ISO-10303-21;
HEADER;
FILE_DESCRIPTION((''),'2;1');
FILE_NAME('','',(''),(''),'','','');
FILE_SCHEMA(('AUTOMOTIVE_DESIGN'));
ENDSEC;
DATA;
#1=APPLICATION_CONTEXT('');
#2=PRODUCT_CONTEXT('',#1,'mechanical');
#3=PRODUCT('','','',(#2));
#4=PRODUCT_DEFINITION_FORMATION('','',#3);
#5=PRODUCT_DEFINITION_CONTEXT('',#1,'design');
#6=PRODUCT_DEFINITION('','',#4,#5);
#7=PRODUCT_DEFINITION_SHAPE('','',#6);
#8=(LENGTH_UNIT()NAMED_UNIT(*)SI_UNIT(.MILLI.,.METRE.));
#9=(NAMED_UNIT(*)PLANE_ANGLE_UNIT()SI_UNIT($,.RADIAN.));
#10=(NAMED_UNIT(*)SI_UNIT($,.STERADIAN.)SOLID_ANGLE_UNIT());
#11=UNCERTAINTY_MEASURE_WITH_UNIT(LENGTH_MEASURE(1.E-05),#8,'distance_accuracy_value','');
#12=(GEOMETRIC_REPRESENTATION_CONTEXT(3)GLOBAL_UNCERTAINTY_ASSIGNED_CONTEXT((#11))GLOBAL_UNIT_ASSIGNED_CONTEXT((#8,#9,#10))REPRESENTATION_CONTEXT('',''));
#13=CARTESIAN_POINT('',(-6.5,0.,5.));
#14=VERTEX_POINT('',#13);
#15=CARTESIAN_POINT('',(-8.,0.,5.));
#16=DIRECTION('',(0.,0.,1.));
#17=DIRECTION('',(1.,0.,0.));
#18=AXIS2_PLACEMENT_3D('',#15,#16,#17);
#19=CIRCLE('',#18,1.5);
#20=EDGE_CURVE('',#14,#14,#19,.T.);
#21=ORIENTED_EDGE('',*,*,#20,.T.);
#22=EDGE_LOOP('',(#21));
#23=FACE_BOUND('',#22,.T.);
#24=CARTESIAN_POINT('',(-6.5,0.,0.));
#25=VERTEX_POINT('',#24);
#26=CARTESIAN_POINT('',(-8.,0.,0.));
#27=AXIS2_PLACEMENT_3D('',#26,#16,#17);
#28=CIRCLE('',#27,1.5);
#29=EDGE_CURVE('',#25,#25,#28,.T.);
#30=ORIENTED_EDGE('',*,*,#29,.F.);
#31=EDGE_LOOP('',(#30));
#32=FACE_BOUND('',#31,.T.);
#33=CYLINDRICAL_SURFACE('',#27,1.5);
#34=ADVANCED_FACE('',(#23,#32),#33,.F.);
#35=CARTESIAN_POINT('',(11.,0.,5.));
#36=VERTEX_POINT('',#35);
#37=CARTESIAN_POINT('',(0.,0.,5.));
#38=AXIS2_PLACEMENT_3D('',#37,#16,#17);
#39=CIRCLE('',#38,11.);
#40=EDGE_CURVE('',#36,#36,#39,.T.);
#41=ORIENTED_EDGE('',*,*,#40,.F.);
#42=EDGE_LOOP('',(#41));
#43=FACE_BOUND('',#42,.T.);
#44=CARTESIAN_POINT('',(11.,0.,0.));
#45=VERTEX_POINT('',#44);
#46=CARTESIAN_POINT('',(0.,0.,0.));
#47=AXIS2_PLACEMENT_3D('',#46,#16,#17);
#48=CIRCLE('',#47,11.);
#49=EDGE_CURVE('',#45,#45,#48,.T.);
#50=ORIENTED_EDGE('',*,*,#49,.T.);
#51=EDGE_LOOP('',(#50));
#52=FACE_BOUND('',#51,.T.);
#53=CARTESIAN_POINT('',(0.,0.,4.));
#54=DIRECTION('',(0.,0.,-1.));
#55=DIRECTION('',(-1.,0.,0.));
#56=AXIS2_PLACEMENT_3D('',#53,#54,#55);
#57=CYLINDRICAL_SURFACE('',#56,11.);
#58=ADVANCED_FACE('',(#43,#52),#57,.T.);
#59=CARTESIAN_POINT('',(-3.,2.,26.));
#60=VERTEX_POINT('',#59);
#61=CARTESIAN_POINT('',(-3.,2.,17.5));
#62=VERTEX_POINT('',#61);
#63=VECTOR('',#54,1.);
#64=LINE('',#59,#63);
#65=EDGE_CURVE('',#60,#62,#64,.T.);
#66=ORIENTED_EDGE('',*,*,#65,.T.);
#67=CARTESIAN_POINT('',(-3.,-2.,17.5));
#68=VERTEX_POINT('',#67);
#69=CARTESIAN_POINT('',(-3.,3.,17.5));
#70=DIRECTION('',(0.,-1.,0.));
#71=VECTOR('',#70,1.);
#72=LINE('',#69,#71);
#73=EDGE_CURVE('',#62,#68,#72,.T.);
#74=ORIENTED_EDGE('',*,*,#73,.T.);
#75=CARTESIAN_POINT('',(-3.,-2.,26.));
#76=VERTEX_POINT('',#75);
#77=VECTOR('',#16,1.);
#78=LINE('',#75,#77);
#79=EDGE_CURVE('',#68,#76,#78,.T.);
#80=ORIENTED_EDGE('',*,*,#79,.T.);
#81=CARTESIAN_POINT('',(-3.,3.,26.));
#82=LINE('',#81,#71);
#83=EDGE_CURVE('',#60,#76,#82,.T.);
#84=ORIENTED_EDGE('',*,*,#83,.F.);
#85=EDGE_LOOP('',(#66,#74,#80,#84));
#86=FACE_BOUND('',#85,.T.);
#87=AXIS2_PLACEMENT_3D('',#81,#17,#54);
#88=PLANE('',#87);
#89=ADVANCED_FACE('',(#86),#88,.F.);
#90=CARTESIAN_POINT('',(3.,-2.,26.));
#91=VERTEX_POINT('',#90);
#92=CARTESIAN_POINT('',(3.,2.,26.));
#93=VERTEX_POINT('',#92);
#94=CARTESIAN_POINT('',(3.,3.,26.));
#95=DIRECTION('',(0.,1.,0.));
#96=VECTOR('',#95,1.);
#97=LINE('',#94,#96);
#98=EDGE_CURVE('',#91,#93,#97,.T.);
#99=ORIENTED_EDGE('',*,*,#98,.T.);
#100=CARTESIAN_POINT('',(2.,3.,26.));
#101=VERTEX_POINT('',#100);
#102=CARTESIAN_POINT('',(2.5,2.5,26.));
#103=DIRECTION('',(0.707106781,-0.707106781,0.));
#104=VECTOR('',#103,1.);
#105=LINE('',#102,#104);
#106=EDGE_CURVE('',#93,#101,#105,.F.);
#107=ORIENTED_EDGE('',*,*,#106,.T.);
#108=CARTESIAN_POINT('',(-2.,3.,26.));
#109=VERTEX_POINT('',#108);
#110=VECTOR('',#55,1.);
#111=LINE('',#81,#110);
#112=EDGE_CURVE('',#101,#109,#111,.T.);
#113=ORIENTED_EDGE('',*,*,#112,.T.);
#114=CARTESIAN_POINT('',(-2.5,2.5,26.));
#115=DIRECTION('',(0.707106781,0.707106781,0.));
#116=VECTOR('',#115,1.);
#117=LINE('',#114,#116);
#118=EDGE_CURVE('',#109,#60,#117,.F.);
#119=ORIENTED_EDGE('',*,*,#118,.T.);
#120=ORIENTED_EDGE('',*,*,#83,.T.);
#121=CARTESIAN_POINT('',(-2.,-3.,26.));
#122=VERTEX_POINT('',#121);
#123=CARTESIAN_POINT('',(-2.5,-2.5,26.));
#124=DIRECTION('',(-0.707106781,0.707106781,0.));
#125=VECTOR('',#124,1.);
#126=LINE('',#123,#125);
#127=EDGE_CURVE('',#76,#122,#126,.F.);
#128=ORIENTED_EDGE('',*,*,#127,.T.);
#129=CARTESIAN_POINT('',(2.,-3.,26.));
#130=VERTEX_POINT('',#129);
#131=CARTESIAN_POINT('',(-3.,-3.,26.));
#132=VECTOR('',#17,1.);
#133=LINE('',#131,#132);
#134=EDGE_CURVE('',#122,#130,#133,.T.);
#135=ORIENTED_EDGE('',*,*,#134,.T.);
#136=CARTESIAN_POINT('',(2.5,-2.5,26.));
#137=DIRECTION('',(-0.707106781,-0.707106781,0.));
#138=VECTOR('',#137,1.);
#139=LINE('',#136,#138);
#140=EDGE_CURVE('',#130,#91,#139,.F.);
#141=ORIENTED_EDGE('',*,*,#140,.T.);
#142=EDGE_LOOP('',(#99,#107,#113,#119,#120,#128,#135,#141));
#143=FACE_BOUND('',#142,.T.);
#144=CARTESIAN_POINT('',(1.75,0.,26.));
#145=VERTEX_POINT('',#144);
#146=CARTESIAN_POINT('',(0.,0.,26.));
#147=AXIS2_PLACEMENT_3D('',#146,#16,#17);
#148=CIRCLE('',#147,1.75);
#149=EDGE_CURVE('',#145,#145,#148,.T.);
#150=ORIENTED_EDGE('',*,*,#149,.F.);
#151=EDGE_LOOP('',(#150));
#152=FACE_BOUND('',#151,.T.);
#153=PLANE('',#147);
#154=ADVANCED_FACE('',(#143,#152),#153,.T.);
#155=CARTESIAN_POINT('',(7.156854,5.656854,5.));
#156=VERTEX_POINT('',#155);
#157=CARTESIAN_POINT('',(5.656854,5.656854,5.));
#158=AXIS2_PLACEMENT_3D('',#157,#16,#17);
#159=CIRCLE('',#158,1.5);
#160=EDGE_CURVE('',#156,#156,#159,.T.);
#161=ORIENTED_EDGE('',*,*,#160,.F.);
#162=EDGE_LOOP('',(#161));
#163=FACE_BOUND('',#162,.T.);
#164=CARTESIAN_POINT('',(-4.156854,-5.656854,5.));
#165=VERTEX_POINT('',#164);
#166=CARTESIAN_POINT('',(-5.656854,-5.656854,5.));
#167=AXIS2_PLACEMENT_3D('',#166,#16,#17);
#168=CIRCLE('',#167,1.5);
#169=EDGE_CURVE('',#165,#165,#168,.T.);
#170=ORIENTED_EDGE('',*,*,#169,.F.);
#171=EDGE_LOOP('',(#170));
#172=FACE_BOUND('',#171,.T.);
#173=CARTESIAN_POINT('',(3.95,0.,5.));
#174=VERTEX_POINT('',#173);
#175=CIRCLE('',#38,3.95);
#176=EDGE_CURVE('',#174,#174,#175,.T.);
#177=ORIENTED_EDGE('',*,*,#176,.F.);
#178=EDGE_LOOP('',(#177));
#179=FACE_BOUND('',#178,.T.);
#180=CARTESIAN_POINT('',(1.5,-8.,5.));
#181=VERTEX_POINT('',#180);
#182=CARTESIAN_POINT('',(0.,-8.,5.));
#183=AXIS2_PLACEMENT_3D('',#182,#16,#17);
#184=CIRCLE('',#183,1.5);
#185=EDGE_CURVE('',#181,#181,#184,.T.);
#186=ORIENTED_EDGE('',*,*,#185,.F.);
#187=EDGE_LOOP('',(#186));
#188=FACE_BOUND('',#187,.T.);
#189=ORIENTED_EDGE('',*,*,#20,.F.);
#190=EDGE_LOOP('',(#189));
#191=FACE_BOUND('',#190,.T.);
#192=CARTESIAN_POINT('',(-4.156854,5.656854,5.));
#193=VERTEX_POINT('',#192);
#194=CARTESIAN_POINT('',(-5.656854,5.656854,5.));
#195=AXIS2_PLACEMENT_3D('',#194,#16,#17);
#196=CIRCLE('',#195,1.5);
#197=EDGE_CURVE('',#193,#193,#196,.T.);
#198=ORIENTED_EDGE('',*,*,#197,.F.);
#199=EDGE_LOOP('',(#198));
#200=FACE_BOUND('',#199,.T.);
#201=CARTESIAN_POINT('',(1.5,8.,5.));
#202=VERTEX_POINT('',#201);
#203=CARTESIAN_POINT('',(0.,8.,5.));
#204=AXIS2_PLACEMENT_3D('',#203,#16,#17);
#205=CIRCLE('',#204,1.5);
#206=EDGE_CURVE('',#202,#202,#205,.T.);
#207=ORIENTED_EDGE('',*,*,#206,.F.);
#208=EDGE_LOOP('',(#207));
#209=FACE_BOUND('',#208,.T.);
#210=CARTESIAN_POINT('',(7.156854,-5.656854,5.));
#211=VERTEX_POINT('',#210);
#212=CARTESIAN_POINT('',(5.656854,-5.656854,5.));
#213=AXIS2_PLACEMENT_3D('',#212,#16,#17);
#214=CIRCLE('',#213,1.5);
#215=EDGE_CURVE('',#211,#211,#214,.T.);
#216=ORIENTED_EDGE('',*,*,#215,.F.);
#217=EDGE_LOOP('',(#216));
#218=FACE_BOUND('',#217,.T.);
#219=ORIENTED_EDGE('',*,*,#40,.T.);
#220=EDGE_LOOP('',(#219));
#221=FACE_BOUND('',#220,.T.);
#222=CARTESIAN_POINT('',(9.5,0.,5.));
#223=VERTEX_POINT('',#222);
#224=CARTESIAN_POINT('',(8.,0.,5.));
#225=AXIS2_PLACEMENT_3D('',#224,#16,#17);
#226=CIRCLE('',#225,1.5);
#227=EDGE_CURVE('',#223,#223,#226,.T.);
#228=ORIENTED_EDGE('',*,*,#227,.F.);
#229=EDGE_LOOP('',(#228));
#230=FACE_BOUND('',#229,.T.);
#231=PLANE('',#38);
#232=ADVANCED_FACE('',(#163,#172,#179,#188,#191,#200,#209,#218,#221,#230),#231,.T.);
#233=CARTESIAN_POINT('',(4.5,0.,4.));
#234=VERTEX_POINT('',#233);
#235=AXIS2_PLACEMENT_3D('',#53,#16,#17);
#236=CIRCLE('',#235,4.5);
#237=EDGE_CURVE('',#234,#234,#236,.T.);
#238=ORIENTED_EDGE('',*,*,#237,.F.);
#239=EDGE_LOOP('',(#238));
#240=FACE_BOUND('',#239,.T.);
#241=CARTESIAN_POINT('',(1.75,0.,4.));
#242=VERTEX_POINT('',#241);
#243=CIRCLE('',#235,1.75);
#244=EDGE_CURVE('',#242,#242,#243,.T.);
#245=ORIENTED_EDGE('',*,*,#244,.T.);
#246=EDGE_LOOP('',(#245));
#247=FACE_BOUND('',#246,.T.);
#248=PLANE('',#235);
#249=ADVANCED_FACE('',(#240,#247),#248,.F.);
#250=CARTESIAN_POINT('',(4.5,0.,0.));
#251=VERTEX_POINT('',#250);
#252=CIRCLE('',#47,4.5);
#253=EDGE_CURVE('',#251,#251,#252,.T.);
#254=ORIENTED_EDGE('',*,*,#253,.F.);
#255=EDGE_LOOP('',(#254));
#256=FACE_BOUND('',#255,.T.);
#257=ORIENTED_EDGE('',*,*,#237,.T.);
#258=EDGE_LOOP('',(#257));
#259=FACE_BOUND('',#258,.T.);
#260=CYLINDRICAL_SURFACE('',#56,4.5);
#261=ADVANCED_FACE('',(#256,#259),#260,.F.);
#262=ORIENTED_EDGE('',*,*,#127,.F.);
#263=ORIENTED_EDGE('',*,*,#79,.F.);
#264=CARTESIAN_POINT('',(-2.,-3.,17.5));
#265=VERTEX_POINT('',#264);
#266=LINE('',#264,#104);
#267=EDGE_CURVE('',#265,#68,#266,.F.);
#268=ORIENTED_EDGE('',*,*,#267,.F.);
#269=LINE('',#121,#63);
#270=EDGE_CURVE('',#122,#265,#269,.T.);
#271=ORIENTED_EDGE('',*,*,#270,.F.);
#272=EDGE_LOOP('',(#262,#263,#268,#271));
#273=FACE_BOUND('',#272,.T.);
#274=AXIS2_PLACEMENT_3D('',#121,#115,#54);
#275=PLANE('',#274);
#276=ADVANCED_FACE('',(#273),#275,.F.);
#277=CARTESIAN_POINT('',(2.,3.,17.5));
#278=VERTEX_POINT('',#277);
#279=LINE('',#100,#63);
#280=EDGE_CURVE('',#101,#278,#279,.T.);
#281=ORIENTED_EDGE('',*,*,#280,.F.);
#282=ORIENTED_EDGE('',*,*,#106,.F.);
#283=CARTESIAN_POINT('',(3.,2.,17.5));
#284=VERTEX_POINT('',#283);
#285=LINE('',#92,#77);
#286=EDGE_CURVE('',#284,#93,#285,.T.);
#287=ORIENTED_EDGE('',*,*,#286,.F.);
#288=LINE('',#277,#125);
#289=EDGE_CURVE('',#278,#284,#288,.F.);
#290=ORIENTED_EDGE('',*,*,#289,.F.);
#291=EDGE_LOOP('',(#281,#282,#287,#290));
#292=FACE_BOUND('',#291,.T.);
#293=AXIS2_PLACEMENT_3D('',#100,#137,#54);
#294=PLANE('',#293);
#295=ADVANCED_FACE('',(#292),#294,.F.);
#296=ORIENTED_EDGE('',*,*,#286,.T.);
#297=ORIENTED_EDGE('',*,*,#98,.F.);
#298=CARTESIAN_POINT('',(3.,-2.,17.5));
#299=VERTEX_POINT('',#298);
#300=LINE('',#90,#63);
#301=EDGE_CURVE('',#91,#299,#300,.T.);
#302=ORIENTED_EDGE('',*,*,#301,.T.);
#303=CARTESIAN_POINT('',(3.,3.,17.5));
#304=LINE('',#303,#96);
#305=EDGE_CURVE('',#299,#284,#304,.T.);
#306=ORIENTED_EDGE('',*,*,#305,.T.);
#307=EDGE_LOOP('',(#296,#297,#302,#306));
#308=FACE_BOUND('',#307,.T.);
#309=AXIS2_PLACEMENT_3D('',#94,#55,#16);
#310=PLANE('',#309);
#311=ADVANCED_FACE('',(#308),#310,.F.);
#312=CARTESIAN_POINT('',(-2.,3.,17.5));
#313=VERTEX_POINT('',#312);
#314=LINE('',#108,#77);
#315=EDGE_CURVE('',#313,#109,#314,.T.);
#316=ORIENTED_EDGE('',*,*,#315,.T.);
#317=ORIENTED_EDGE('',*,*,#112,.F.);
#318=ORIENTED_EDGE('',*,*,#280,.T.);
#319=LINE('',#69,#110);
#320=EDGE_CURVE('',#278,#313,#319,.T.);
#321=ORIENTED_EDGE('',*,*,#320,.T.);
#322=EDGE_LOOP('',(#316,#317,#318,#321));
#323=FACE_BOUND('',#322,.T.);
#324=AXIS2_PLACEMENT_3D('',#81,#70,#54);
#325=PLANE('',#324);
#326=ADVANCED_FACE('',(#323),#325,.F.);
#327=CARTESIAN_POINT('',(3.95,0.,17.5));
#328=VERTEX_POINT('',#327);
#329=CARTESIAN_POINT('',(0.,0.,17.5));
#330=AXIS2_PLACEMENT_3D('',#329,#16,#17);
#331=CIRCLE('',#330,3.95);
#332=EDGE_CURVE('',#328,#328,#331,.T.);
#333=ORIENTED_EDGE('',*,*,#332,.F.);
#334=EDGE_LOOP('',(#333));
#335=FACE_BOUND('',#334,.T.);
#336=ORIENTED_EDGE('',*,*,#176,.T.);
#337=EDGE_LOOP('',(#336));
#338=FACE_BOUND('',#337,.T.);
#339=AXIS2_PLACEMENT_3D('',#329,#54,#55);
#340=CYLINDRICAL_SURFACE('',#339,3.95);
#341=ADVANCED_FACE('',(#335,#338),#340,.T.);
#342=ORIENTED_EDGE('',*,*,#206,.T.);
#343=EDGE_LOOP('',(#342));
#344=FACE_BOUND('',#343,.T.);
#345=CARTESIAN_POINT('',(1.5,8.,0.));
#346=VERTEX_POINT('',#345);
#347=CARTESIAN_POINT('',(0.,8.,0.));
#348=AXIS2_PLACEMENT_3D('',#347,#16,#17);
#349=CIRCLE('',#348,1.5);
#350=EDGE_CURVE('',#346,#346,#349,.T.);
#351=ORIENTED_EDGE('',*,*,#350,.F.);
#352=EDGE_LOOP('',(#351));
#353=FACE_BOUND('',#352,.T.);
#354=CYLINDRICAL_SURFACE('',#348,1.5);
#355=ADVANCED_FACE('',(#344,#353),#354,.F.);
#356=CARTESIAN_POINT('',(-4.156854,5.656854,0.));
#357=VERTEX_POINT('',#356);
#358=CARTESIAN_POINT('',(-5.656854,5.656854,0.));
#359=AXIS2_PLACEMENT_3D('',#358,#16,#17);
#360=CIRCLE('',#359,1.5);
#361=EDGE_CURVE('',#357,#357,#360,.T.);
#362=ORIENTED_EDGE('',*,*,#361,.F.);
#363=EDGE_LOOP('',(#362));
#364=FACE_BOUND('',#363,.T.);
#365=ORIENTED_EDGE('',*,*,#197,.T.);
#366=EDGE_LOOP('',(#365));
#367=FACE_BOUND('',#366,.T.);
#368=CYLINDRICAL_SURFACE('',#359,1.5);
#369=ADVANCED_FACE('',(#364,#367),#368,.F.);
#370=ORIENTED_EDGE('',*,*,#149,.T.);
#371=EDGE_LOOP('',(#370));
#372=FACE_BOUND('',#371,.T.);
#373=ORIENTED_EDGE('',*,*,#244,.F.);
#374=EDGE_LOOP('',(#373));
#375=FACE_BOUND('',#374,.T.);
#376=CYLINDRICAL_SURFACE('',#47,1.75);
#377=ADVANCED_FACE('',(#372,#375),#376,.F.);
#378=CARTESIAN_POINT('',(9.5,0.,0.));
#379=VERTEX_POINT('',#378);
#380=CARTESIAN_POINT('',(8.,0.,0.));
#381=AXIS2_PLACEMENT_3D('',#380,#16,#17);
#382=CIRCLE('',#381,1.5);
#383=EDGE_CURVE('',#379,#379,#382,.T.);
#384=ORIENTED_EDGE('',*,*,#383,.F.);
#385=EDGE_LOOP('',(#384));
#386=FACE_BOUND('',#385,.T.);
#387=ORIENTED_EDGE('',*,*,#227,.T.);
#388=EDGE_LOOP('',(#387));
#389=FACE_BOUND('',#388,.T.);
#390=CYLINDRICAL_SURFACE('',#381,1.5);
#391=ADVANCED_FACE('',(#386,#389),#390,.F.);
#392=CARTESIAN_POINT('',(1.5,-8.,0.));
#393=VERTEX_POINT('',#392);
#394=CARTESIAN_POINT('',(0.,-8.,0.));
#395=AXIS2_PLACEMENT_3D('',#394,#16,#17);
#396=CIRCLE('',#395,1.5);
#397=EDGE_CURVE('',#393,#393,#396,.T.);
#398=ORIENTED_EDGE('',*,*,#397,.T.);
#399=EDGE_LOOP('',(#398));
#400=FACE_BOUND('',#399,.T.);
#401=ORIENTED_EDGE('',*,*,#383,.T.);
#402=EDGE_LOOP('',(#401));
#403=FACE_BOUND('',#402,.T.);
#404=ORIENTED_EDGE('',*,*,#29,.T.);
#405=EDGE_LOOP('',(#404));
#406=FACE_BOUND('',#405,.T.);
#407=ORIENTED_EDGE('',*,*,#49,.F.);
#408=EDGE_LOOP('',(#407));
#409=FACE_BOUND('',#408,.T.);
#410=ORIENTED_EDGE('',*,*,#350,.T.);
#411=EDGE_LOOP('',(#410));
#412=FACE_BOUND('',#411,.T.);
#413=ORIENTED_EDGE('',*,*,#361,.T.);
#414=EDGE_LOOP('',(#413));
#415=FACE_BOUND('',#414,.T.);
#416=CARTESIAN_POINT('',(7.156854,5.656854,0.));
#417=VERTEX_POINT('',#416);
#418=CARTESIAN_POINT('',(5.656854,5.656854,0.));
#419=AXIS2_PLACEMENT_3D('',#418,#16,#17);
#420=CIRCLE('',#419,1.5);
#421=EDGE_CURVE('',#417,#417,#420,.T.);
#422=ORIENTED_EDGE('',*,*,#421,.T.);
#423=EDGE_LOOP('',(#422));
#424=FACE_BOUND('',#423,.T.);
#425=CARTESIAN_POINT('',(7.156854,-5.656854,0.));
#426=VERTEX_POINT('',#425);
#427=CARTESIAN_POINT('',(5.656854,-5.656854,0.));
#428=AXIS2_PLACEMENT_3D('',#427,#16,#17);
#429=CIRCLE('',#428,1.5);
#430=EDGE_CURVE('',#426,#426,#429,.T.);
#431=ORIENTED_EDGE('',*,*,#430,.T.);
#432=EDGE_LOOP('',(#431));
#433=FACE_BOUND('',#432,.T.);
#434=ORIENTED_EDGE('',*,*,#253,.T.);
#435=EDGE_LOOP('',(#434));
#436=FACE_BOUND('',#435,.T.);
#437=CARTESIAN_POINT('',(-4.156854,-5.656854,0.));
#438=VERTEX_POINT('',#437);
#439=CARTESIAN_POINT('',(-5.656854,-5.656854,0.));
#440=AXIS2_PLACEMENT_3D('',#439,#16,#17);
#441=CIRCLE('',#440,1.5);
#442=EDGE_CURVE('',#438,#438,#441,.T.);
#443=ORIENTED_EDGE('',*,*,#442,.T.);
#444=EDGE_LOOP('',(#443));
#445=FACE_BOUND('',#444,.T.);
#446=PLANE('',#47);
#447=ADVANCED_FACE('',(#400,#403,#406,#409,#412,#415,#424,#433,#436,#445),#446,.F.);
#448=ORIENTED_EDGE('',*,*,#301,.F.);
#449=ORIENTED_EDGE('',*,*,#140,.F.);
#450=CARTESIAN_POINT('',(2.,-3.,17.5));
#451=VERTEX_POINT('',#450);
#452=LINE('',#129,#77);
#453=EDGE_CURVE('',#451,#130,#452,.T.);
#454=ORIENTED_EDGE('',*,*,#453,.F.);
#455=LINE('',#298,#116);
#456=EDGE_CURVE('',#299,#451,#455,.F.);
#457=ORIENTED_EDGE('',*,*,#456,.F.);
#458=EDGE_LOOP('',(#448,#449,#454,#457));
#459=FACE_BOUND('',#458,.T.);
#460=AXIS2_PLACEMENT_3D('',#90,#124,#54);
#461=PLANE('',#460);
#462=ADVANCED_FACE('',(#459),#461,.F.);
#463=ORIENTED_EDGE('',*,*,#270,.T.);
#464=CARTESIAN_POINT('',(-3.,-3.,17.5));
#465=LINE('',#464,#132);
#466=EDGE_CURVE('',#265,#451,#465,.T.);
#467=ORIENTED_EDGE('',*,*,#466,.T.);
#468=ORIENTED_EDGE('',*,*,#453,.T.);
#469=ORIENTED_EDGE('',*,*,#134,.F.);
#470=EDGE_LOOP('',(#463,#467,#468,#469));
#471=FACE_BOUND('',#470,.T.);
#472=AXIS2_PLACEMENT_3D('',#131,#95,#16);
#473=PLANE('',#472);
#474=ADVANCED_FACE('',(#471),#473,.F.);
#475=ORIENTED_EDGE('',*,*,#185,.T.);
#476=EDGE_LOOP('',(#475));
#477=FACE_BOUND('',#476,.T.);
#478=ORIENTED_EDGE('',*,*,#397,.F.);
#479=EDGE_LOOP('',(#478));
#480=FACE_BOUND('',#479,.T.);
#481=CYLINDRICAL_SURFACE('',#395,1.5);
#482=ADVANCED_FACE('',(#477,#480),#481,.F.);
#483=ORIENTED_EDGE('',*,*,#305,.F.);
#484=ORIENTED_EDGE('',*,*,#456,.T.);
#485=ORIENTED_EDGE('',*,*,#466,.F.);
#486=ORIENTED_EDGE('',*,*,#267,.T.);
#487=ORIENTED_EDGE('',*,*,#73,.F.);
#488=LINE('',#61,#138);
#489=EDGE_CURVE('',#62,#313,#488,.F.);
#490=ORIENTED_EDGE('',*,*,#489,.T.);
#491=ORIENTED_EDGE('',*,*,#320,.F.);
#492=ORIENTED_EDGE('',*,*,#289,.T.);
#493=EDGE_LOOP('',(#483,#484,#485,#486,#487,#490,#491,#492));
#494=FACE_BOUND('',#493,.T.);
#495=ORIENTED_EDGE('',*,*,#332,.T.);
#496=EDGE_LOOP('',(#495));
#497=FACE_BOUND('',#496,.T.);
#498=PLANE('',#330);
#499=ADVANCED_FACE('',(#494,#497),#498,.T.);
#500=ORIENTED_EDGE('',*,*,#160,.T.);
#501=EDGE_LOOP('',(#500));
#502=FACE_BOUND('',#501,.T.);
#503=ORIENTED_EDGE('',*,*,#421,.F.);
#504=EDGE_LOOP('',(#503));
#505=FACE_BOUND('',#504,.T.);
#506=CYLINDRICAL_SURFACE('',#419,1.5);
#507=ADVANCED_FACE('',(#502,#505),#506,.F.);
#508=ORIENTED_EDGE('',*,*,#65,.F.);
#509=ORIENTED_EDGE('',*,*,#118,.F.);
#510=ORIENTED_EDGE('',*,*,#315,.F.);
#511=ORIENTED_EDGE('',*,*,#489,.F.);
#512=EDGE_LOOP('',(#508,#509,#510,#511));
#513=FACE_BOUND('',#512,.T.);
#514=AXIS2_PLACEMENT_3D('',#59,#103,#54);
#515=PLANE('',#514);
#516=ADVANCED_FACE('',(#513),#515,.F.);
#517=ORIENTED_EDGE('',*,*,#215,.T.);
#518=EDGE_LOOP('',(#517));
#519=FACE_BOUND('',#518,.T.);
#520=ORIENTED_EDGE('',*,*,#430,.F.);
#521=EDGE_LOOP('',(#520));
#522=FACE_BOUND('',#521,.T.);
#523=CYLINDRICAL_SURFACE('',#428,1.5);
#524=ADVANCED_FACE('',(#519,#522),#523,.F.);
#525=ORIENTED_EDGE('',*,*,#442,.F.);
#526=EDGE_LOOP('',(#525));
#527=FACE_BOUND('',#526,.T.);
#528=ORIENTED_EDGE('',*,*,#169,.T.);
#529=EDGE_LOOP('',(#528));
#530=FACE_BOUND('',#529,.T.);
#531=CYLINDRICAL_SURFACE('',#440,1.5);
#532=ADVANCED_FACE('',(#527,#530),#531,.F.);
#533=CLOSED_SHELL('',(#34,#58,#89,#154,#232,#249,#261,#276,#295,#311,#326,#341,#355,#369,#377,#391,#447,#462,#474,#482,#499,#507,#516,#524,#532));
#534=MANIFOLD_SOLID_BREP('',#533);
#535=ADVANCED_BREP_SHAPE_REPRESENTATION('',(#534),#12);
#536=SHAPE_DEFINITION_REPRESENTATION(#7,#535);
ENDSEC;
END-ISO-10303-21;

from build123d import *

# Parameters (mm, degrees)
ESQUISSE1_R                  = 11
ESQUISSE1_R_2                = 4.5
BOSS_EXTRU_1_DEPTH           = 4
ESQUISSE4_R                  = 11
BOSS_EXTRU_2_DEPTH           = 1
ESQUISSE2_R                  = 1.5
ENL_V_MAT_EXTRU_1_DEPTH      = 1
ENL_V_MAT_EXTRU_1_DEPTH_BACK = 6
ESQUISSE5_W                  = 6
ESQUISSE5_H                  = 6
BOSS_EXTRU_3_DEPTH           = 21
CHANFREIN1_SIZE              = 1
ESQUISSE8_R                  = 3.95
BOSS_EXTRU_4_DEPTH           = 12.5
ESQUISSE6_R                  = 1.75
ENL_V_MAT_EXTRU_2_DEPTH      = 1
ENL_V_MAT_EXTRU_2_DEPTH_BACK = 27


with BuildPart() as part:
    # Esquisse1 → Boss.-Extru.1 (new body)
    with BuildSketch(Plane.XY):
        Circle(ESQUISSE1_R)
        Circle(ESQUISSE1_R_2, mode=Mode.SUBTRACT)
    extrude(amount=BOSS_EXTRU_1_DEPTH)

    # Esquisse4 → Boss.-Extru.2 (add)
    with BuildSketch(Plane.XY.offset(4)):
        Circle(ESQUISSE4_R)
    extrude(amount=BOSS_EXTRU_2_DEPTH)

    # Esquisse2 → Enlèv. mat.-Extru.1 (cut, two sides)
    with BuildSketch(Plane.XY.offset(5)) as enl_v_mat_extru_1_sk:
        with Locations((8, 0)):
            Circle(ESQUISSE2_R)
        with Locations((5.656854249, -5.656854249)):
            Circle(ESQUISSE2_R)
        with Locations((0, -8)):
            Circle(ESQUISSE2_R)
        with Locations((-5.656854249, -5.656854249)):
            Circle(ESQUISSE2_R)
        with Locations((-8, 0)):
            Circle(ESQUISSE2_R)
        with Locations((-5.656854249, 5.656854249)):
            Circle(ESQUISSE2_R)
        with Locations((0, 8)):
            Circle(ESQUISSE2_R)
        with Locations((5.656854249, 5.656854249)):
            Circle(ESQUISSE2_R)
    extrude(amount=ENL_V_MAT_EXTRU_1_DEPTH, mode=Mode.SUBTRACT)
    extrude(enl_v_mat_extru_1_sk.sketch, amount=-ENL_V_MAT_EXTRU_1_DEPTH_BACK, mode=Mode.SUBTRACT)

    # Esquisse5 → Boss.-Extru.3 (add)
    with BuildSketch(Plane.XY.offset(5)):
        Rectangle(ESQUISSE5_W, ESQUISSE5_H)
    extrude(amount=BOSS_EXTRU_3_DEPTH)

    # Chanfrein1
    chanfrein1_edges = [part.edges().sort_by_distance(p)[0] for p in [
        (-3, 3, 15.5),
        (-3, -3, 15.5),
        (3, -3, 15.5),
        (3, 3, 15.5),
    ]]
    chamfer(chanfrein1_edges, length=CHANFREIN1_SIZE)

    # Esquisse8 → Boss.-Extru.4 (add)
    with BuildSketch(Plane.XY.offset(5)):
        Circle(ESQUISSE8_R)
    extrude(amount=BOSS_EXTRU_4_DEPTH)

    # Esquisse6 → Enlèv. mat.-Extru.2 (cut, two sides)
    with BuildSketch(Plane.XY.offset(26)) as enl_v_mat_extru_2_sk:
        Circle(ESQUISSE6_R)
    extrude(amount=ENL_V_MAT_EXTRU_2_DEPTH, mode=Mode.SUBTRACT)
    extrude(enl_v_mat_extru_2_sk.sketch, amount=-ENL_V_MAT_EXTRU_2_DEPTH_BACK, mode=Mode.SUBTRACT)


solid = part.part
